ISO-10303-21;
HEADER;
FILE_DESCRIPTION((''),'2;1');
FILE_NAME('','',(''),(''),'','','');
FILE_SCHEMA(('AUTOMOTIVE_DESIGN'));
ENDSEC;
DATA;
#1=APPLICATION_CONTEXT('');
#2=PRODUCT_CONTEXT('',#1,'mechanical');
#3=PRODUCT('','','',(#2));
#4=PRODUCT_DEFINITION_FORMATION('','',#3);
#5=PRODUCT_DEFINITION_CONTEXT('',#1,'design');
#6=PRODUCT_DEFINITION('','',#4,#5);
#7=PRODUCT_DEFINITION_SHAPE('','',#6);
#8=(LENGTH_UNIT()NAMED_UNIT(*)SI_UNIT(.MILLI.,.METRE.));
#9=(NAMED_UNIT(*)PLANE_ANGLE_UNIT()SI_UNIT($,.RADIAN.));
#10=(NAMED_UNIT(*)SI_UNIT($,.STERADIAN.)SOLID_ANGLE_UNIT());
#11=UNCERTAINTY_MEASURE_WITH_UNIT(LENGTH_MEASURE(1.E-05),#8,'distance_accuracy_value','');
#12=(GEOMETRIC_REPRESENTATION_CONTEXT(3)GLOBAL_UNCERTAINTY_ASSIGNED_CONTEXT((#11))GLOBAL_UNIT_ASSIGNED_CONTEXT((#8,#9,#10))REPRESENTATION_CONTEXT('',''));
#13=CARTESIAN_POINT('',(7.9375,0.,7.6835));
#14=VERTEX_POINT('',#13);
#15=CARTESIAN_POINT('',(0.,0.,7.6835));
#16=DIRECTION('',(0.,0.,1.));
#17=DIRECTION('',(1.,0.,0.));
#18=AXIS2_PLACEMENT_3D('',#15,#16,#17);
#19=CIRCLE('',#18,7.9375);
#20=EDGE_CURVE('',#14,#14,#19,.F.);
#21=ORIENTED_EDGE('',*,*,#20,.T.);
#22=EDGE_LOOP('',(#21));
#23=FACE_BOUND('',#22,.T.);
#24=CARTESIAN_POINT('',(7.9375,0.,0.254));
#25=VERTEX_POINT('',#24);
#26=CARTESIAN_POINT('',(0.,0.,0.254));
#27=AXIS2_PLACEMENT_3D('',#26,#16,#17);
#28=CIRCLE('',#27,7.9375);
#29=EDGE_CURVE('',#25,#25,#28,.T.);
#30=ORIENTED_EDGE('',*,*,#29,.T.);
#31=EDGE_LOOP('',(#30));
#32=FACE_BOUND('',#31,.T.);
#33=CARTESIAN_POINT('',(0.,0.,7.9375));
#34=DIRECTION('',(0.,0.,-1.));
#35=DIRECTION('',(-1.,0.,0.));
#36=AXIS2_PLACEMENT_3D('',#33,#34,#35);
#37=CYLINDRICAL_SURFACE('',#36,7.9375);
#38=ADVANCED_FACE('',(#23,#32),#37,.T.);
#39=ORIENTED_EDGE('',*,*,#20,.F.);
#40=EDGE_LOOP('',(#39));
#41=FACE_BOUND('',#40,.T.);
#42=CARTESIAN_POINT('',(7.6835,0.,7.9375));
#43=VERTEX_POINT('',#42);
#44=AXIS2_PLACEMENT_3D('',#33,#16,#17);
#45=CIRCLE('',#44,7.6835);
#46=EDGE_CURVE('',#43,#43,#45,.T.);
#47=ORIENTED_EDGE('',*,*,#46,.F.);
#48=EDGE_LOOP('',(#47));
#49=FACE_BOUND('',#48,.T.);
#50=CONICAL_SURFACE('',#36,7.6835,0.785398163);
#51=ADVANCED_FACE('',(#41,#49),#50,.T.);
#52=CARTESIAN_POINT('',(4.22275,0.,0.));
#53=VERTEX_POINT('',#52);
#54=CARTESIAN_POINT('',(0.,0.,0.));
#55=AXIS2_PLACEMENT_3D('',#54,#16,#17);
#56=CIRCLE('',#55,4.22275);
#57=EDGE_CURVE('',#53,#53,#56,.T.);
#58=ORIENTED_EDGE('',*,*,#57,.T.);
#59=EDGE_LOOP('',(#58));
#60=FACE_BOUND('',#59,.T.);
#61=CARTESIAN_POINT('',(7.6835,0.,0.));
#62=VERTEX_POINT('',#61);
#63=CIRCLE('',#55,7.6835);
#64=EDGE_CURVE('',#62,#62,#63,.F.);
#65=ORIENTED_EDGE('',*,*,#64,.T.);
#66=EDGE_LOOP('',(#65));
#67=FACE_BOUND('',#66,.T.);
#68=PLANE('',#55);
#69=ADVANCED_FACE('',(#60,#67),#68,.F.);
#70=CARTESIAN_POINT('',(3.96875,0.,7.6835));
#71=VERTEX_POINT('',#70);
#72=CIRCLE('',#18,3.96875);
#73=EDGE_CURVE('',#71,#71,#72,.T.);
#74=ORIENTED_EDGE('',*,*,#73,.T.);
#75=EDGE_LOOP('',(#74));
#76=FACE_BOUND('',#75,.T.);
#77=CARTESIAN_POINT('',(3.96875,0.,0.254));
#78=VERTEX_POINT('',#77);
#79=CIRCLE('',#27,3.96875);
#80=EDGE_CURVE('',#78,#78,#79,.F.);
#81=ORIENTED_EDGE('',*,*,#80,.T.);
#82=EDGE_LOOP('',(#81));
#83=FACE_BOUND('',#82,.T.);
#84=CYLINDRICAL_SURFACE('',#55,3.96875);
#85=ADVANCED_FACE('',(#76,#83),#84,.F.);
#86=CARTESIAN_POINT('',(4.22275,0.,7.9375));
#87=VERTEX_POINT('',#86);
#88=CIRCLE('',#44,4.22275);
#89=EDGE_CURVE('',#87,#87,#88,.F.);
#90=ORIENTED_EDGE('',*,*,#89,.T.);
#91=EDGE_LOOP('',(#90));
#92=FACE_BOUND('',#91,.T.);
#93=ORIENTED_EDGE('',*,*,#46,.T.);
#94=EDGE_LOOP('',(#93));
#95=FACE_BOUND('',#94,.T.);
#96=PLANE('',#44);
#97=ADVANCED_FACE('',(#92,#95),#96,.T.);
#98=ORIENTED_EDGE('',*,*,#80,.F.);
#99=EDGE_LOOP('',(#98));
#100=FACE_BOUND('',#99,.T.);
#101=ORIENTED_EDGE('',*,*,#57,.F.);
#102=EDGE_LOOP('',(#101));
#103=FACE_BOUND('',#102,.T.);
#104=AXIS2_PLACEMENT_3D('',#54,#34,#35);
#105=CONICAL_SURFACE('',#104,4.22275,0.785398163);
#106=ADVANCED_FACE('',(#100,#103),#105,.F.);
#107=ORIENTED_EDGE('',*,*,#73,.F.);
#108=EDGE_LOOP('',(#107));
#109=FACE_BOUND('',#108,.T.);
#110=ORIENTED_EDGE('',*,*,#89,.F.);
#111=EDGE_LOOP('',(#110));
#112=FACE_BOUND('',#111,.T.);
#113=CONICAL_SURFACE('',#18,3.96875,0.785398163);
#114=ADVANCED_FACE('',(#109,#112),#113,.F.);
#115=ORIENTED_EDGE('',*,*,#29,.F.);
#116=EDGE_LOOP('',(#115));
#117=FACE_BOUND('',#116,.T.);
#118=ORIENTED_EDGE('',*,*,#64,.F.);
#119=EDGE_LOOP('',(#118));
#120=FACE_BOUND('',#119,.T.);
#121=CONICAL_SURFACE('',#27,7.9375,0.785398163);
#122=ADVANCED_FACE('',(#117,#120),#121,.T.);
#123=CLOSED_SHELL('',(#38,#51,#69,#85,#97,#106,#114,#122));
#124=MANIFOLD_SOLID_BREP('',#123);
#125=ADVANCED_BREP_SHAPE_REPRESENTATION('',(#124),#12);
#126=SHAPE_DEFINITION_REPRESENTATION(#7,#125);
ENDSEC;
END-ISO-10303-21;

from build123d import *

# Parameters (mm, degrees)
SKETCH1_R           = 7.9375
BOSS_EXTRUDE1_DEPTH = 7.9375
SKETCH2_R           = 3.96875
CUT_EXTRUDE1_DEPTH  = 7.9375
CHAMFER1_SIZE       = 0.254


with BuildPart() as part:
    # Sketch1 → Boss-Extrude1 (new body)
    with BuildSketch(Plane.XY):
        Circle(SKETCH1_R)
    extrude(amount=BOSS_EXTRUDE1_DEPTH)

    # Sketch2 → Cut-Extrude1 (cut)
    with BuildSketch(Plane.XY.offset(7.9375)):
        Circle(SKETCH2_R)
    extrude(amount=-CUT_EXTRUDE1_DEPTH, mode=Mode.SUBTRACT)

    # Chamfer1
    chamfer1_edges = [part.edges().sort_by_distance(p)[0] for p in [
        (-7.9375, 0, 0),
        (-7.9375, 0, 7.9375),
        (-3.96875, 0, 0),
        (-3.96875, 0, 7.9375),
    ]]
    chamfer(chamfer1_edges, length=CHAMFER1_SIZE)


solid = part.part
